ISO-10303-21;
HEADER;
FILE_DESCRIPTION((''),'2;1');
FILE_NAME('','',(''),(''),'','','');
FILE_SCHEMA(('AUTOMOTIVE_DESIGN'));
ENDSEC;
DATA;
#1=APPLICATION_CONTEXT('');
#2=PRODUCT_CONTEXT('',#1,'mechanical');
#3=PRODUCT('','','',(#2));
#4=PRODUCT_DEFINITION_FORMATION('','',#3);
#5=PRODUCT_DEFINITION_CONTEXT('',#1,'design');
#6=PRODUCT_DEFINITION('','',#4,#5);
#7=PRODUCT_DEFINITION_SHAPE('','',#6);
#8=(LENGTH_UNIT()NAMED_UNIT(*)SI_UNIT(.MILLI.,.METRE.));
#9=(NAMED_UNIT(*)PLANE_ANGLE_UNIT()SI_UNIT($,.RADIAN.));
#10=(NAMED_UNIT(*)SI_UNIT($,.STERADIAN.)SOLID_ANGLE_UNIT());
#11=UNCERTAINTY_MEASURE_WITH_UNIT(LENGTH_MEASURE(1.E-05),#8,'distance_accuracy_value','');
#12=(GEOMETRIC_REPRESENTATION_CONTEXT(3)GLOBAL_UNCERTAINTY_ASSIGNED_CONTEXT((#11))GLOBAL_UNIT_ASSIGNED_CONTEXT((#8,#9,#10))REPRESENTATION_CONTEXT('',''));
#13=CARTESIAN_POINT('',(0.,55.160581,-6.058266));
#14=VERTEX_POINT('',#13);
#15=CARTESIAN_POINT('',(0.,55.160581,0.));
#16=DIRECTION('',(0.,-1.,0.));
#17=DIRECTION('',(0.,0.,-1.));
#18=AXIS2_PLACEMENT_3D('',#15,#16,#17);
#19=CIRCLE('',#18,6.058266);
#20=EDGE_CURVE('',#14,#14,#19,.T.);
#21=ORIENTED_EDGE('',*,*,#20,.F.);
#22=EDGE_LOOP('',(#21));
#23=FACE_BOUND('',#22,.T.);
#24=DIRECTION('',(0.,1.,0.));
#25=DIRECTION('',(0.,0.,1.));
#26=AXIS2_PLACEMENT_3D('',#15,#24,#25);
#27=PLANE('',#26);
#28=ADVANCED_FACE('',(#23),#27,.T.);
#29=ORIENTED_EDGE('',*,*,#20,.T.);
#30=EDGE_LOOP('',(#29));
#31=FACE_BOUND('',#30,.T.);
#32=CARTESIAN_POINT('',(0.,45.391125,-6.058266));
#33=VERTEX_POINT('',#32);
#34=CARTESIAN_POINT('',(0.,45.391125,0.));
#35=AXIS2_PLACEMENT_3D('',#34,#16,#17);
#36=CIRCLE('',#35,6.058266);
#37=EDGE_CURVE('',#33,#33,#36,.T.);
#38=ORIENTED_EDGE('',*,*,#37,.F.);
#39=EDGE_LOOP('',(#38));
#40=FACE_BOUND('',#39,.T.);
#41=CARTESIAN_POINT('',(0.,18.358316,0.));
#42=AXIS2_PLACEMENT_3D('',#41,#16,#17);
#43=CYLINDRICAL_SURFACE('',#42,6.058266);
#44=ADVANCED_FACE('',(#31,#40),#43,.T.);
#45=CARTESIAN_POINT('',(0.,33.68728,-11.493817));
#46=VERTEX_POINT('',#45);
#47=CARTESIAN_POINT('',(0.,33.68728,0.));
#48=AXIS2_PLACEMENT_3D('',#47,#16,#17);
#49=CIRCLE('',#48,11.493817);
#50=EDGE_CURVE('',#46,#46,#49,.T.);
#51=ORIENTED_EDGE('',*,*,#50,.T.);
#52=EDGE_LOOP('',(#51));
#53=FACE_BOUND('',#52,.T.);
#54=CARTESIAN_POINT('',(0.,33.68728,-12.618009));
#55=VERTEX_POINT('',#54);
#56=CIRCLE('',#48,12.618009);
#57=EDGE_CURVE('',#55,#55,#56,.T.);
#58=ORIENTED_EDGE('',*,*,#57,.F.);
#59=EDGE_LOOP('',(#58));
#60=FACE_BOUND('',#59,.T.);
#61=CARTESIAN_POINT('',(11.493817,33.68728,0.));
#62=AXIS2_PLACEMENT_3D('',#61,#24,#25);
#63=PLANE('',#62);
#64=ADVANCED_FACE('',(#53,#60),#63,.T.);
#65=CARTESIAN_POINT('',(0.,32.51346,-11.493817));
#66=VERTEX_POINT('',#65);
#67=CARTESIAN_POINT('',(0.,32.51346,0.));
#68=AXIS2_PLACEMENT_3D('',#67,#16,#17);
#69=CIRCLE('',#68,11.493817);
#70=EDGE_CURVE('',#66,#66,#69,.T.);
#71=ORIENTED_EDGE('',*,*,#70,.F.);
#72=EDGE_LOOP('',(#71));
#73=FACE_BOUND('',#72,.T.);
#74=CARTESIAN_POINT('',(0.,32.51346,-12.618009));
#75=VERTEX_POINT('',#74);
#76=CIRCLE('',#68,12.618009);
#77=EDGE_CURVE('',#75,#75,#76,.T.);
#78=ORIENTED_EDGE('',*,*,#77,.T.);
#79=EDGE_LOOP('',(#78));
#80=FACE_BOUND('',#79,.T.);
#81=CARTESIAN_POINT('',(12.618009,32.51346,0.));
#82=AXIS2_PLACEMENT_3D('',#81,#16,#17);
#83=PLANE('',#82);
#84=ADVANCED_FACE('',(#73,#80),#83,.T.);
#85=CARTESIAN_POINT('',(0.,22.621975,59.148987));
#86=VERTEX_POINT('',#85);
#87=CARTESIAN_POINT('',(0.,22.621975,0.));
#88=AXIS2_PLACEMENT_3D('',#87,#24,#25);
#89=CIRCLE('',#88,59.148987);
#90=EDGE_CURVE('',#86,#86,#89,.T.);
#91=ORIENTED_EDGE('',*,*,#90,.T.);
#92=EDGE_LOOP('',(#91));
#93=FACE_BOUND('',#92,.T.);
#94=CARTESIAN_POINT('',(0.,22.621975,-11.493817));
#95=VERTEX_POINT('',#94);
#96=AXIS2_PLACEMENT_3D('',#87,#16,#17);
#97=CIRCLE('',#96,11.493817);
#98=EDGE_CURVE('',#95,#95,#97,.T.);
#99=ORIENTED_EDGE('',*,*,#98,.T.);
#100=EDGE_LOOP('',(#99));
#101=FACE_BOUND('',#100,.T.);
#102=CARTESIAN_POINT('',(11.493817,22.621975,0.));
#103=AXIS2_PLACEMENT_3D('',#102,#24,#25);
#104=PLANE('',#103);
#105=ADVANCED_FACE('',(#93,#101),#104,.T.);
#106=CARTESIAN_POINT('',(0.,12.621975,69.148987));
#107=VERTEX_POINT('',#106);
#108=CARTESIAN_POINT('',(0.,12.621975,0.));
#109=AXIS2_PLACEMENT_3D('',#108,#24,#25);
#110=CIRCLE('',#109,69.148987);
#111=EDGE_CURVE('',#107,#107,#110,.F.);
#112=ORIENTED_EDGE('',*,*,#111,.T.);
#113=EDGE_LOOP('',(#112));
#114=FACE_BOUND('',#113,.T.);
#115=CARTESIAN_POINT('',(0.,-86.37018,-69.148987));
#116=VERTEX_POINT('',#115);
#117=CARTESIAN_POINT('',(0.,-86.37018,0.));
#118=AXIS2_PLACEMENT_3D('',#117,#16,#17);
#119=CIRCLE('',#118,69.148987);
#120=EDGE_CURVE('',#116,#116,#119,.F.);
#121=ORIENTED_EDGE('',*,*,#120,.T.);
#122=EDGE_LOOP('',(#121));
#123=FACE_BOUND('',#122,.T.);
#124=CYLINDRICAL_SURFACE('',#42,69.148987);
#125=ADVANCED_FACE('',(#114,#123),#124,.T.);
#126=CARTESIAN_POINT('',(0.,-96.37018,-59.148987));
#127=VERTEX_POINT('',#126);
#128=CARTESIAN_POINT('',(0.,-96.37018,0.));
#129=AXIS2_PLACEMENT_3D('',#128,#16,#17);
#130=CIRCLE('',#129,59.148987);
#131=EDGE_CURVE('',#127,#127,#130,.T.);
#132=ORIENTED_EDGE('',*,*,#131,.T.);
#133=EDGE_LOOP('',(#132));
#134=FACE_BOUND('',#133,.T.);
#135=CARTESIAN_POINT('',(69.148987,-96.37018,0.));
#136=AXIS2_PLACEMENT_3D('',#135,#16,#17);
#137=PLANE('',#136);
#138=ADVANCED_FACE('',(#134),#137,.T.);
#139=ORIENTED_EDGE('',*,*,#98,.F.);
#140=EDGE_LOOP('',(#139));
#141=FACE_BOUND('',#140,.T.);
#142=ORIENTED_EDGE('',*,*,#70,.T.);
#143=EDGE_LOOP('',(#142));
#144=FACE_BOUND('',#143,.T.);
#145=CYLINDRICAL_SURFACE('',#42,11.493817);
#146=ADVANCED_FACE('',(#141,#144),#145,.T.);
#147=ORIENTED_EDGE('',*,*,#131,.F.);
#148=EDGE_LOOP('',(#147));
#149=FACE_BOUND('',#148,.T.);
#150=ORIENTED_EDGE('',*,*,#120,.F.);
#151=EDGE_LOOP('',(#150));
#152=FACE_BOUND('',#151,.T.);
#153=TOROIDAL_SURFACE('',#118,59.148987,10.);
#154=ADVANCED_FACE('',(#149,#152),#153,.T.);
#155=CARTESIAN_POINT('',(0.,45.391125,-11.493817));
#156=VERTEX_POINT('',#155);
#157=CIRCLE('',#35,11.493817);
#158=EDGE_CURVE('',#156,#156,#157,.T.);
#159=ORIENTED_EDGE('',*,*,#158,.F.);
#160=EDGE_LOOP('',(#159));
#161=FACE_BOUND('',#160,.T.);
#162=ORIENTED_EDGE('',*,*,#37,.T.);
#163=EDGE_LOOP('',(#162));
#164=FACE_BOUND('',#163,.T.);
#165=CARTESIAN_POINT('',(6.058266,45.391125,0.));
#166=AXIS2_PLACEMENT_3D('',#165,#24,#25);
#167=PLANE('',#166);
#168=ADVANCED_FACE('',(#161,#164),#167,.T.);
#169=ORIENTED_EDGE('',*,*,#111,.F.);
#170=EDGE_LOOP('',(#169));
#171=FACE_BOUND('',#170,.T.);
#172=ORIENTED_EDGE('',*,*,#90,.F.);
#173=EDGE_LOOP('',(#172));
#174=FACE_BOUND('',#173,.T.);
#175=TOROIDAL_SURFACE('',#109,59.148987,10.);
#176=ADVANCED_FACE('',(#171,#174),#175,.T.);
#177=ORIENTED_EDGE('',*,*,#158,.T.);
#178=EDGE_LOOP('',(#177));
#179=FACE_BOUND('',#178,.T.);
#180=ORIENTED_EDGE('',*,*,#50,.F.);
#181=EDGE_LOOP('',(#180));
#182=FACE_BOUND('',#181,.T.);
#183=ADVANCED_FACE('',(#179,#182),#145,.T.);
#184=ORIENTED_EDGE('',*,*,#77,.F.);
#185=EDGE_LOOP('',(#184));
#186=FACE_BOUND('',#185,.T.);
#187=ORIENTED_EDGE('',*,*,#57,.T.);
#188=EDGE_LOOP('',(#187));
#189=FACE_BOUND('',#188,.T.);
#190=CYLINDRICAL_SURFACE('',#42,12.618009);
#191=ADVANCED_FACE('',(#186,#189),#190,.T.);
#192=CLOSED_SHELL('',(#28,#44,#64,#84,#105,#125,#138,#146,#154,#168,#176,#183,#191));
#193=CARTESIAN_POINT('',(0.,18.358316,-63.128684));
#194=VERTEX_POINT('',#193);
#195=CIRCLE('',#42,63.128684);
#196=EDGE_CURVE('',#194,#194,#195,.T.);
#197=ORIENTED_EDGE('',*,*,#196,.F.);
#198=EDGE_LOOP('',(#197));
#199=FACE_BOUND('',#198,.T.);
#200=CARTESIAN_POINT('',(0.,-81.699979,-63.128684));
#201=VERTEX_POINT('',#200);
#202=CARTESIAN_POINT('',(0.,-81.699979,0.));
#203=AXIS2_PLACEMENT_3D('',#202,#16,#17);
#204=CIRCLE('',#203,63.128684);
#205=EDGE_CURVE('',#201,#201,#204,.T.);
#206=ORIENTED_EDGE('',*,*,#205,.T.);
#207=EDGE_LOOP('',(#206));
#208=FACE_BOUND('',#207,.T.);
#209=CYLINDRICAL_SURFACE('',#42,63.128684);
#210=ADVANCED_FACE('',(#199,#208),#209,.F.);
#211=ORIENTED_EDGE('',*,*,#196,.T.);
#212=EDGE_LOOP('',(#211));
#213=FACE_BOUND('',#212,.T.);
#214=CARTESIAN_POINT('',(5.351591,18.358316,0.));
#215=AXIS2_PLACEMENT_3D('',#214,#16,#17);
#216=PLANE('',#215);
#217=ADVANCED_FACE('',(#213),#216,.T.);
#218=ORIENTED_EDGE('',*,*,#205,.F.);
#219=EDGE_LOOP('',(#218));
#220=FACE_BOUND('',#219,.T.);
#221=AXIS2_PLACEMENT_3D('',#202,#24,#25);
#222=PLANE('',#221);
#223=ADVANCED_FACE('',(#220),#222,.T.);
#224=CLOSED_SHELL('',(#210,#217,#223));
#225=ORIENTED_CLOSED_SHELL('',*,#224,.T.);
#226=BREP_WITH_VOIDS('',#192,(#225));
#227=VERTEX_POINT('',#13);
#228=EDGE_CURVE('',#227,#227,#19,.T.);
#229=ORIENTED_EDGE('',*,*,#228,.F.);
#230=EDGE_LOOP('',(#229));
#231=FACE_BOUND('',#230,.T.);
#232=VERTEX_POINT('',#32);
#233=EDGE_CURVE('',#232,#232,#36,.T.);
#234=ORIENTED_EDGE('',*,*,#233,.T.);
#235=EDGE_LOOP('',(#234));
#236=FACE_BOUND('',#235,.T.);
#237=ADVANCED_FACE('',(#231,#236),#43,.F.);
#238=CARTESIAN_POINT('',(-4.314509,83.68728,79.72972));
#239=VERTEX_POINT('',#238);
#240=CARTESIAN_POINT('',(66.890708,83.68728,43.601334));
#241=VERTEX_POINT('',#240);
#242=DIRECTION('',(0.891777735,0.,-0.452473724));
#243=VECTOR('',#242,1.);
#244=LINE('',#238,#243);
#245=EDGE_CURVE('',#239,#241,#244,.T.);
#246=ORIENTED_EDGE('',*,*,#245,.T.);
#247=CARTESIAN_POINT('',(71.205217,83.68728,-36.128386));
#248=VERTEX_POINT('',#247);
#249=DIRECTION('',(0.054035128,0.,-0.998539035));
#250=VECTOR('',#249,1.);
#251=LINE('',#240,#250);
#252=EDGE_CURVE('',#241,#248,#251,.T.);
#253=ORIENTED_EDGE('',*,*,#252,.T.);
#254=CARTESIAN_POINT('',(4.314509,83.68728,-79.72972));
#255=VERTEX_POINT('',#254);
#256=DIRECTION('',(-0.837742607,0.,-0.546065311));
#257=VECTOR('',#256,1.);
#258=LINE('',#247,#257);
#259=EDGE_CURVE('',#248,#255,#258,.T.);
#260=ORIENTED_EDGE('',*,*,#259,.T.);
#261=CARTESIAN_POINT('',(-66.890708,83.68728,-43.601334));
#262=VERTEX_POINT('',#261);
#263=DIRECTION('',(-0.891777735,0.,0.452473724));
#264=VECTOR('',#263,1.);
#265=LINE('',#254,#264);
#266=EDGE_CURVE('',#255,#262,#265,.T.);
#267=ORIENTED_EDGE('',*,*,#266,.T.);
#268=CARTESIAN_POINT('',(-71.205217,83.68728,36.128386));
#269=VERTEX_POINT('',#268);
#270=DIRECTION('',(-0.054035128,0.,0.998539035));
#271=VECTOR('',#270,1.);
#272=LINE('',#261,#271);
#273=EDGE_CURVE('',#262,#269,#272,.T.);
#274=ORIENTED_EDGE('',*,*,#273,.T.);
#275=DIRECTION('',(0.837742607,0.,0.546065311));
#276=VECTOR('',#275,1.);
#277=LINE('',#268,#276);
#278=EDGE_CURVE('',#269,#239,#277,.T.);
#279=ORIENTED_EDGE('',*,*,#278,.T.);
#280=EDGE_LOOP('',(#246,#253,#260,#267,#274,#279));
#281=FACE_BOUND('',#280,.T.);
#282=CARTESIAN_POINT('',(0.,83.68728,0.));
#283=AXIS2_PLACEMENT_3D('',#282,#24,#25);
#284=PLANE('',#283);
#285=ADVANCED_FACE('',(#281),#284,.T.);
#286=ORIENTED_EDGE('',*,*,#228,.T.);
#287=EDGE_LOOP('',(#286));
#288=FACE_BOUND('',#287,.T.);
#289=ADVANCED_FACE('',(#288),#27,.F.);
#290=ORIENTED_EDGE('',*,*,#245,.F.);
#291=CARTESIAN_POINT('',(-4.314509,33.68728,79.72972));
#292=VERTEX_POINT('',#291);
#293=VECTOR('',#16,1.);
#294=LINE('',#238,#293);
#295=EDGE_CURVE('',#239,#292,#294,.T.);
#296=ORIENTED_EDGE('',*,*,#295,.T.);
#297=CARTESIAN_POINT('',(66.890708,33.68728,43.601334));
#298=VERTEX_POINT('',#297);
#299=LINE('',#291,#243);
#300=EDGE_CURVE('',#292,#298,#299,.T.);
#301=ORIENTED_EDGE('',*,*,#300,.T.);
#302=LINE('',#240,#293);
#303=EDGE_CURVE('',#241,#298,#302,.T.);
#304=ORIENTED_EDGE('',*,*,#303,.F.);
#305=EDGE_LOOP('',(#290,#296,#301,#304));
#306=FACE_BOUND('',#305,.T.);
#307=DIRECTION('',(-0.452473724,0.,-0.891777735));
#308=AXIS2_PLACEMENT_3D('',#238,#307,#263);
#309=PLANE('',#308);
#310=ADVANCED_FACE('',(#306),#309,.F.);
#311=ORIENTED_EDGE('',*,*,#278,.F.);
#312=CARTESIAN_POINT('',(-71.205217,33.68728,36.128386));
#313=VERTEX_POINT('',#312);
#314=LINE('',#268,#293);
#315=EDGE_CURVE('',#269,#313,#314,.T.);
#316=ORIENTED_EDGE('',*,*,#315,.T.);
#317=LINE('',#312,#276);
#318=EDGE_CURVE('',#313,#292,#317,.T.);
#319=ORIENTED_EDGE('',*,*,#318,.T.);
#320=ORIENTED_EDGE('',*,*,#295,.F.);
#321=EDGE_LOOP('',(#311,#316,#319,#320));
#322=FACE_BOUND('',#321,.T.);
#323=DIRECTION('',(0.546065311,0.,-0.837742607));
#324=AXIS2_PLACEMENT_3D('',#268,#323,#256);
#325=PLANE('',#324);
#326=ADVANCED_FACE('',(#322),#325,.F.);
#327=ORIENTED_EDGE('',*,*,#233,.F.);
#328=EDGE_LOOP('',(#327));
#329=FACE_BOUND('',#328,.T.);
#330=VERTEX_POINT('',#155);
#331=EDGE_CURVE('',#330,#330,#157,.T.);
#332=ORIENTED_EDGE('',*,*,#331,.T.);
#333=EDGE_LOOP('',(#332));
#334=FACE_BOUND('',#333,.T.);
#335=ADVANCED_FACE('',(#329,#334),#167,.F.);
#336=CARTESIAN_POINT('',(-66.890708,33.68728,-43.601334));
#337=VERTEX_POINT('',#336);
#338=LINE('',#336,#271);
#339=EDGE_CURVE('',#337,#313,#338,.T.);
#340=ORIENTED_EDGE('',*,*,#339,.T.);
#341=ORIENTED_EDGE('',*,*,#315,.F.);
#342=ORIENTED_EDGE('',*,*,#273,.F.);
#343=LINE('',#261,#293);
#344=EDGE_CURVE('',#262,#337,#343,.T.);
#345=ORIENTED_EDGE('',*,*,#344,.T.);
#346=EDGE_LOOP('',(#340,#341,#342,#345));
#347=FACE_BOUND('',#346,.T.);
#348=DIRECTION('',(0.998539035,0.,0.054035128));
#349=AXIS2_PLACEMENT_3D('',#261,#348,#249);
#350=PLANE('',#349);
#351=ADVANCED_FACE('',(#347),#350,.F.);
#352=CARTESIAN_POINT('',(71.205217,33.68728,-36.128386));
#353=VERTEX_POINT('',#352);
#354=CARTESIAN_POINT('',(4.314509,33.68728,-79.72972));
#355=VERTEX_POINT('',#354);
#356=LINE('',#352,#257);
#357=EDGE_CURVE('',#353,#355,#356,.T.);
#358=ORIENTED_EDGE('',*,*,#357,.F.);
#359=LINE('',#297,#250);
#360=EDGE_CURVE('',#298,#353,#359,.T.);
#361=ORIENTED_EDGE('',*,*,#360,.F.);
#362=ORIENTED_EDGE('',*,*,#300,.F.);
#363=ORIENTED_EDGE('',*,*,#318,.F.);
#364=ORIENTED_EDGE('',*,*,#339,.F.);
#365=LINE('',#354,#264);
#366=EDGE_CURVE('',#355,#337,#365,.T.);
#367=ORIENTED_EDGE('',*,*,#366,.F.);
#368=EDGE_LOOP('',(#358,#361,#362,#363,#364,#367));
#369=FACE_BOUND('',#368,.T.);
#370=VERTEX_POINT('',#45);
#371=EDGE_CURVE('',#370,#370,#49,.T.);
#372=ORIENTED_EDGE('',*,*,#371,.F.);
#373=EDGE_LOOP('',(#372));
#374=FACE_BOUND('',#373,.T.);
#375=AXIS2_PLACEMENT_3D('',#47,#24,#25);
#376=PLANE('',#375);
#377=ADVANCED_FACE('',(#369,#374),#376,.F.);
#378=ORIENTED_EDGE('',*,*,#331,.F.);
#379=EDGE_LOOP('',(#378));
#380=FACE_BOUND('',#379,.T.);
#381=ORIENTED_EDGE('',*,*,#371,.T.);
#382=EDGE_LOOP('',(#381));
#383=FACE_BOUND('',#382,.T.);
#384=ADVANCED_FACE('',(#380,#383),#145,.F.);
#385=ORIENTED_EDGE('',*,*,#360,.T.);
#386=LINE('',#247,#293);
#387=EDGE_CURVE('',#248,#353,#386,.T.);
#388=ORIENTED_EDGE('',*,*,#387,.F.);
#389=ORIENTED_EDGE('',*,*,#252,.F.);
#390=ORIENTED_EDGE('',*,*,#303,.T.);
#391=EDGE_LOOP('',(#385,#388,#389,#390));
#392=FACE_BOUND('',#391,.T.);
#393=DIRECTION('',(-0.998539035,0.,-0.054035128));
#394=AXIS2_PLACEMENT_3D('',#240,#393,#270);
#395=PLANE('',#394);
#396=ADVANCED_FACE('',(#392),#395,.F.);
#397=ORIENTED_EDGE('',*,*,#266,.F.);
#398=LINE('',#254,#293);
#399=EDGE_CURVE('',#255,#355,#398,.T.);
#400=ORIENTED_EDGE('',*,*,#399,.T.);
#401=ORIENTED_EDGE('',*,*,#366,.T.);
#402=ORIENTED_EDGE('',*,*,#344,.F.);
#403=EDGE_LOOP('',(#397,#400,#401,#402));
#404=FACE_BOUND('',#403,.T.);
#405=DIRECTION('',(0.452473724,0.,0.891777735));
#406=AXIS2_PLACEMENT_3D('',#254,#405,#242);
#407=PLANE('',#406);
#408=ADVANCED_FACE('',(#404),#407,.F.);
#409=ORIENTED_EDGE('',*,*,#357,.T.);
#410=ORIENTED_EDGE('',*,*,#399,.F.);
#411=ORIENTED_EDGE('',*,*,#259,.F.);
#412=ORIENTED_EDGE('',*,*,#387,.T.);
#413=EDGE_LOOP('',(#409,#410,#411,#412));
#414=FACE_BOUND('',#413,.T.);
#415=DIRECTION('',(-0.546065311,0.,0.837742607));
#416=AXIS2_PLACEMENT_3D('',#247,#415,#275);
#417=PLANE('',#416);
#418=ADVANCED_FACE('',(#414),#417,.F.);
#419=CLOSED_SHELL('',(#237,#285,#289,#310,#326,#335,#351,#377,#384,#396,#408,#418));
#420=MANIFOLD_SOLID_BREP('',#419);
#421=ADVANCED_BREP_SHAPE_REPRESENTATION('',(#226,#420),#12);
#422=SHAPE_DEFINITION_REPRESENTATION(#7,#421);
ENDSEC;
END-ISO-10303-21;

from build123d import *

# Parameters (mm, degrees)
FILLET1_R           = 10
FILLET2_R           = 10
BOSS_EXTRUDE1_DEPTH = 50


with BuildPart() as part:
    # Sketch1 → Revolve1 (revolve)
    with BuildSketch(Plane.XY):
        Polygon((0, 55.160580533), (6.058266255, 55.160580533), (6.058266255, 45.391125465), (11.493817419, 45.391125465), (11.493817419, 33.687279666), (12.618009156, 33.687279666), (12.618009156, 32.513459763), (11.493817419, 32.513459763), (11.493817419, 22.621974615), (69.148986921, 22.621974615), (69.148986921, -96.370180365), (0, -96.370180365), (0, -81.699979191), (63.128684076, -81.699979191), (63.128684076, 18.358315997), (5.351591255, 18.358315997), (0, 18.358315997), align=None)
    revolve(axis=Axis((0, 18.358315997, 0), (0, 1, 0)))

    # Fillet1
    fillet1_edges = [part.edges().sort_by_distance(p)[0] for p in [
        (-69.148986921, 22.621974615, 0),
    ]]
    fillet(fillet1_edges, radius=FILLET1_R)

    # Fillet2
    fillet2_edges = [part.edges().sort_by_distance(p)[0] for p in [
        (-69.148986921, -96.370180365, 0),
    ]]
    fillet(fillet2_edges, radius=FILLET2_R)


with BuildPart() as body_2:
    # Sketch2 → Boss-Extrude1 (new body)
    with BuildSketch(Plane(origin=(0, 33.687279666, 0), x_dir=(1, 0, 0), z_dir=(0, 1, 0))):
        Polygon((71.20521716, 36.1283855), (4.314508939, 79.729719693), (-66.890708221, 43.601334193), (-71.20521716, -36.1283855), (-4.314508939, -79.729719693), (66.890708221, -43.601334193), align=None)
    extrude(amount=BOSS_EXTRUDE1_DEPTH)

    # Sketch1<3> → Cut-Revolve1 (revolve, cut)
    with BuildSketch(Plane.XY):
        Polygon((0, 55.160580533), (6.058266255, 55.160580533), (6.058266255, 45.391125465), (11.493817419, 45.391125465), (11.493817419, 33.687279666), (12.618009156, 33.687279666), (12.618009156, 32.513459763), (11.493817419, 32.513459763), (11.493817419, 22.621974615), (69.148986921, 22.621974615), (69.148986921, -96.370180365), (0, -96.370180365), (0, -81.699979191), (63.128684076, -81.699979191), (63.128684076, 18.358315997), (5.351591255, 18.358315997), (0, 18.358315997), align=None)
    revolve(axis=Axis((0, 18.358315997, 0), (0, 1, 0)), mode=Mode.SUBTRACT)


solid = Compound([part.part, body_2.part])
